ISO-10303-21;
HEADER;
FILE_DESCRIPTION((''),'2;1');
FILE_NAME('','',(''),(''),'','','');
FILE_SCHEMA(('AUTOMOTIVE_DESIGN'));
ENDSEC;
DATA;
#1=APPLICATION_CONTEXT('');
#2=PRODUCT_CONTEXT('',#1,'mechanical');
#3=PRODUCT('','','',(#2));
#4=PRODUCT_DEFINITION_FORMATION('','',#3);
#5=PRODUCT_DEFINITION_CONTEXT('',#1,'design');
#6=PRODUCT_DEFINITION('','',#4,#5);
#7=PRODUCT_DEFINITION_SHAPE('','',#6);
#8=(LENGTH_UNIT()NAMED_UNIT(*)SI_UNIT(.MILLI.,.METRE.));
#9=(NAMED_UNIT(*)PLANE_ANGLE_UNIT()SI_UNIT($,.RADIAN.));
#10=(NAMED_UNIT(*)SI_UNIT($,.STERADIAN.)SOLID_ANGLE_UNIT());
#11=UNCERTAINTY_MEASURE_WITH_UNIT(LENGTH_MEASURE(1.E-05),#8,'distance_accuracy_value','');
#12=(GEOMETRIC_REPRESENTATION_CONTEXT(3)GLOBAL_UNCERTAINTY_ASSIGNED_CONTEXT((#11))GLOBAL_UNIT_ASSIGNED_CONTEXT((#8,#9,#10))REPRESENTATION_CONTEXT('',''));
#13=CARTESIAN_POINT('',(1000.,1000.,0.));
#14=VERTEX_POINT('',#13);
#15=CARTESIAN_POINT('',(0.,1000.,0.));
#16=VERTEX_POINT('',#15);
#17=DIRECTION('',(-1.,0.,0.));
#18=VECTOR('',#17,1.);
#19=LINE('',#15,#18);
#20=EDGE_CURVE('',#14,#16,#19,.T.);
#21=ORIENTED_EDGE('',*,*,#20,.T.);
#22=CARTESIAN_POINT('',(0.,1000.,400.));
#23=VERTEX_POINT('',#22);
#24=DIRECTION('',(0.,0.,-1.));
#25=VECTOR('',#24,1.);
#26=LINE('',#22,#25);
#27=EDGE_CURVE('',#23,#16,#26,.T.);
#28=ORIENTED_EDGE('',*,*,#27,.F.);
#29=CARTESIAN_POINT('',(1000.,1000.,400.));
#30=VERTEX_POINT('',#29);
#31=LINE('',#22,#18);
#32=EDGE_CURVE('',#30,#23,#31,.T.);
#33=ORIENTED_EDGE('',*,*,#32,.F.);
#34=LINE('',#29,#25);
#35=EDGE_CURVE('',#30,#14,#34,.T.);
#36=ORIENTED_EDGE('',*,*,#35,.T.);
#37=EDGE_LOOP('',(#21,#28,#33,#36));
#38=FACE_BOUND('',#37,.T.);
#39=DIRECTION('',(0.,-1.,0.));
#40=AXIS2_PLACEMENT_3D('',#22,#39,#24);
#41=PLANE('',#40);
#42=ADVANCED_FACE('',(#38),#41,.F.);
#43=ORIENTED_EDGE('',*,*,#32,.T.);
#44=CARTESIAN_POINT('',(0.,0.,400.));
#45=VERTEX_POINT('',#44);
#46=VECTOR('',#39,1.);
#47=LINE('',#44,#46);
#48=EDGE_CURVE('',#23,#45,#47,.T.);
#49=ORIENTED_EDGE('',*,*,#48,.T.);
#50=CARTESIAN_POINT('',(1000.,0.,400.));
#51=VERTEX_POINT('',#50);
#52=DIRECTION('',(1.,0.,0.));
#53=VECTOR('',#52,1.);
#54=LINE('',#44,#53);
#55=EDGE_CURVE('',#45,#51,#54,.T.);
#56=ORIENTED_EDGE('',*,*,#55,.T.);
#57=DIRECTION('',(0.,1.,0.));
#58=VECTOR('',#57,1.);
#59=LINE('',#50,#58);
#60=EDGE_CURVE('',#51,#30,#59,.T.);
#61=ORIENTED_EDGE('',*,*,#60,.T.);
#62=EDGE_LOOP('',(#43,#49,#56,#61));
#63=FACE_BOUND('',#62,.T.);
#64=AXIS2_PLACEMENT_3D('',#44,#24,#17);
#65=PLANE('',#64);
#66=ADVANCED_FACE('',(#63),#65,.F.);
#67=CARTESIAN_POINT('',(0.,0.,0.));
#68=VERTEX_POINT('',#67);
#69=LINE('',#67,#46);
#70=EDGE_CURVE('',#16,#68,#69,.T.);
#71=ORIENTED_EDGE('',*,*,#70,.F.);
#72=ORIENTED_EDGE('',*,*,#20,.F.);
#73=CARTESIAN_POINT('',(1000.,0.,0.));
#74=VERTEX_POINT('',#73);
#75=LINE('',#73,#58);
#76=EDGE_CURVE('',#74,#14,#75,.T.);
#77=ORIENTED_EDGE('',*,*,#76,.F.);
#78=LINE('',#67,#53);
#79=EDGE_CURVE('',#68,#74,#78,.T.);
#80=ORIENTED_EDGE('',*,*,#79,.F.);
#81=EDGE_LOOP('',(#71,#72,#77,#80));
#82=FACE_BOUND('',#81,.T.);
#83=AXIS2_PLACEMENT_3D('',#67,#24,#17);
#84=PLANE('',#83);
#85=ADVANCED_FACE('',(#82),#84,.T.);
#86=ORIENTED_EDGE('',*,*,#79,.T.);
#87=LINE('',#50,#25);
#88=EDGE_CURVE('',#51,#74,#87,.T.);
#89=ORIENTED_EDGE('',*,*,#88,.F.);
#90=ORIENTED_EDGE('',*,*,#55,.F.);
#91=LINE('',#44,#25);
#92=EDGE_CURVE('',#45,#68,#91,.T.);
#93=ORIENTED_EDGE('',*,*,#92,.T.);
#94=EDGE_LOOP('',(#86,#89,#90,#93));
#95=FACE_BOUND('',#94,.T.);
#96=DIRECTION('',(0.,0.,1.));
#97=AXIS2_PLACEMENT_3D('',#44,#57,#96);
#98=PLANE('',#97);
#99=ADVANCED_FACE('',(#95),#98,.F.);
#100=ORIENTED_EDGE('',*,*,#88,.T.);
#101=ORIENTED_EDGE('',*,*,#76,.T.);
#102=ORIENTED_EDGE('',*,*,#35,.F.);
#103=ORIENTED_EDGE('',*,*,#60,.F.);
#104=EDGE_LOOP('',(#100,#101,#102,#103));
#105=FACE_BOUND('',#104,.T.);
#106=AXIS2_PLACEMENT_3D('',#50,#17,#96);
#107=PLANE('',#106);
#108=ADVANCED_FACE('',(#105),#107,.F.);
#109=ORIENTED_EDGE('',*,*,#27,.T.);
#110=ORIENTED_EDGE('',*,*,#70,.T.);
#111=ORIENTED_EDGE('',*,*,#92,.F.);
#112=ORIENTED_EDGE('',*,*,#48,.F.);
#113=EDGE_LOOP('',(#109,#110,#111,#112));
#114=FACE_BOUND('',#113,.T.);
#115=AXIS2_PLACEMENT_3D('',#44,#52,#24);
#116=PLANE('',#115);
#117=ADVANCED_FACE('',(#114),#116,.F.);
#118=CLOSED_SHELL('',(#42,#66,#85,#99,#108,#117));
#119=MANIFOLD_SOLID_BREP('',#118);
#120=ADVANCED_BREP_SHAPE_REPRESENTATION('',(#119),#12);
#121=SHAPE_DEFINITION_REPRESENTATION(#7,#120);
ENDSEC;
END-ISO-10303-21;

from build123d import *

# Parameters (mm, degrees)
SKETCH_2_W      = 1000
SKETCH_2_H      = 1000
EXTRUDE_1_DEPTH = 400


with BuildPart() as part:
    # ｽｹｯﾁ2 → ﾎﾞｽ - 押し出し1 (new body)
    with BuildSketch(Plane.XY):
        with Locations((500, 500)):
            Rectangle(SKETCH_2_W, SKETCH_2_H)
    extrude(amount=EXTRUDE_1_DEPTH)


solid = part.part
